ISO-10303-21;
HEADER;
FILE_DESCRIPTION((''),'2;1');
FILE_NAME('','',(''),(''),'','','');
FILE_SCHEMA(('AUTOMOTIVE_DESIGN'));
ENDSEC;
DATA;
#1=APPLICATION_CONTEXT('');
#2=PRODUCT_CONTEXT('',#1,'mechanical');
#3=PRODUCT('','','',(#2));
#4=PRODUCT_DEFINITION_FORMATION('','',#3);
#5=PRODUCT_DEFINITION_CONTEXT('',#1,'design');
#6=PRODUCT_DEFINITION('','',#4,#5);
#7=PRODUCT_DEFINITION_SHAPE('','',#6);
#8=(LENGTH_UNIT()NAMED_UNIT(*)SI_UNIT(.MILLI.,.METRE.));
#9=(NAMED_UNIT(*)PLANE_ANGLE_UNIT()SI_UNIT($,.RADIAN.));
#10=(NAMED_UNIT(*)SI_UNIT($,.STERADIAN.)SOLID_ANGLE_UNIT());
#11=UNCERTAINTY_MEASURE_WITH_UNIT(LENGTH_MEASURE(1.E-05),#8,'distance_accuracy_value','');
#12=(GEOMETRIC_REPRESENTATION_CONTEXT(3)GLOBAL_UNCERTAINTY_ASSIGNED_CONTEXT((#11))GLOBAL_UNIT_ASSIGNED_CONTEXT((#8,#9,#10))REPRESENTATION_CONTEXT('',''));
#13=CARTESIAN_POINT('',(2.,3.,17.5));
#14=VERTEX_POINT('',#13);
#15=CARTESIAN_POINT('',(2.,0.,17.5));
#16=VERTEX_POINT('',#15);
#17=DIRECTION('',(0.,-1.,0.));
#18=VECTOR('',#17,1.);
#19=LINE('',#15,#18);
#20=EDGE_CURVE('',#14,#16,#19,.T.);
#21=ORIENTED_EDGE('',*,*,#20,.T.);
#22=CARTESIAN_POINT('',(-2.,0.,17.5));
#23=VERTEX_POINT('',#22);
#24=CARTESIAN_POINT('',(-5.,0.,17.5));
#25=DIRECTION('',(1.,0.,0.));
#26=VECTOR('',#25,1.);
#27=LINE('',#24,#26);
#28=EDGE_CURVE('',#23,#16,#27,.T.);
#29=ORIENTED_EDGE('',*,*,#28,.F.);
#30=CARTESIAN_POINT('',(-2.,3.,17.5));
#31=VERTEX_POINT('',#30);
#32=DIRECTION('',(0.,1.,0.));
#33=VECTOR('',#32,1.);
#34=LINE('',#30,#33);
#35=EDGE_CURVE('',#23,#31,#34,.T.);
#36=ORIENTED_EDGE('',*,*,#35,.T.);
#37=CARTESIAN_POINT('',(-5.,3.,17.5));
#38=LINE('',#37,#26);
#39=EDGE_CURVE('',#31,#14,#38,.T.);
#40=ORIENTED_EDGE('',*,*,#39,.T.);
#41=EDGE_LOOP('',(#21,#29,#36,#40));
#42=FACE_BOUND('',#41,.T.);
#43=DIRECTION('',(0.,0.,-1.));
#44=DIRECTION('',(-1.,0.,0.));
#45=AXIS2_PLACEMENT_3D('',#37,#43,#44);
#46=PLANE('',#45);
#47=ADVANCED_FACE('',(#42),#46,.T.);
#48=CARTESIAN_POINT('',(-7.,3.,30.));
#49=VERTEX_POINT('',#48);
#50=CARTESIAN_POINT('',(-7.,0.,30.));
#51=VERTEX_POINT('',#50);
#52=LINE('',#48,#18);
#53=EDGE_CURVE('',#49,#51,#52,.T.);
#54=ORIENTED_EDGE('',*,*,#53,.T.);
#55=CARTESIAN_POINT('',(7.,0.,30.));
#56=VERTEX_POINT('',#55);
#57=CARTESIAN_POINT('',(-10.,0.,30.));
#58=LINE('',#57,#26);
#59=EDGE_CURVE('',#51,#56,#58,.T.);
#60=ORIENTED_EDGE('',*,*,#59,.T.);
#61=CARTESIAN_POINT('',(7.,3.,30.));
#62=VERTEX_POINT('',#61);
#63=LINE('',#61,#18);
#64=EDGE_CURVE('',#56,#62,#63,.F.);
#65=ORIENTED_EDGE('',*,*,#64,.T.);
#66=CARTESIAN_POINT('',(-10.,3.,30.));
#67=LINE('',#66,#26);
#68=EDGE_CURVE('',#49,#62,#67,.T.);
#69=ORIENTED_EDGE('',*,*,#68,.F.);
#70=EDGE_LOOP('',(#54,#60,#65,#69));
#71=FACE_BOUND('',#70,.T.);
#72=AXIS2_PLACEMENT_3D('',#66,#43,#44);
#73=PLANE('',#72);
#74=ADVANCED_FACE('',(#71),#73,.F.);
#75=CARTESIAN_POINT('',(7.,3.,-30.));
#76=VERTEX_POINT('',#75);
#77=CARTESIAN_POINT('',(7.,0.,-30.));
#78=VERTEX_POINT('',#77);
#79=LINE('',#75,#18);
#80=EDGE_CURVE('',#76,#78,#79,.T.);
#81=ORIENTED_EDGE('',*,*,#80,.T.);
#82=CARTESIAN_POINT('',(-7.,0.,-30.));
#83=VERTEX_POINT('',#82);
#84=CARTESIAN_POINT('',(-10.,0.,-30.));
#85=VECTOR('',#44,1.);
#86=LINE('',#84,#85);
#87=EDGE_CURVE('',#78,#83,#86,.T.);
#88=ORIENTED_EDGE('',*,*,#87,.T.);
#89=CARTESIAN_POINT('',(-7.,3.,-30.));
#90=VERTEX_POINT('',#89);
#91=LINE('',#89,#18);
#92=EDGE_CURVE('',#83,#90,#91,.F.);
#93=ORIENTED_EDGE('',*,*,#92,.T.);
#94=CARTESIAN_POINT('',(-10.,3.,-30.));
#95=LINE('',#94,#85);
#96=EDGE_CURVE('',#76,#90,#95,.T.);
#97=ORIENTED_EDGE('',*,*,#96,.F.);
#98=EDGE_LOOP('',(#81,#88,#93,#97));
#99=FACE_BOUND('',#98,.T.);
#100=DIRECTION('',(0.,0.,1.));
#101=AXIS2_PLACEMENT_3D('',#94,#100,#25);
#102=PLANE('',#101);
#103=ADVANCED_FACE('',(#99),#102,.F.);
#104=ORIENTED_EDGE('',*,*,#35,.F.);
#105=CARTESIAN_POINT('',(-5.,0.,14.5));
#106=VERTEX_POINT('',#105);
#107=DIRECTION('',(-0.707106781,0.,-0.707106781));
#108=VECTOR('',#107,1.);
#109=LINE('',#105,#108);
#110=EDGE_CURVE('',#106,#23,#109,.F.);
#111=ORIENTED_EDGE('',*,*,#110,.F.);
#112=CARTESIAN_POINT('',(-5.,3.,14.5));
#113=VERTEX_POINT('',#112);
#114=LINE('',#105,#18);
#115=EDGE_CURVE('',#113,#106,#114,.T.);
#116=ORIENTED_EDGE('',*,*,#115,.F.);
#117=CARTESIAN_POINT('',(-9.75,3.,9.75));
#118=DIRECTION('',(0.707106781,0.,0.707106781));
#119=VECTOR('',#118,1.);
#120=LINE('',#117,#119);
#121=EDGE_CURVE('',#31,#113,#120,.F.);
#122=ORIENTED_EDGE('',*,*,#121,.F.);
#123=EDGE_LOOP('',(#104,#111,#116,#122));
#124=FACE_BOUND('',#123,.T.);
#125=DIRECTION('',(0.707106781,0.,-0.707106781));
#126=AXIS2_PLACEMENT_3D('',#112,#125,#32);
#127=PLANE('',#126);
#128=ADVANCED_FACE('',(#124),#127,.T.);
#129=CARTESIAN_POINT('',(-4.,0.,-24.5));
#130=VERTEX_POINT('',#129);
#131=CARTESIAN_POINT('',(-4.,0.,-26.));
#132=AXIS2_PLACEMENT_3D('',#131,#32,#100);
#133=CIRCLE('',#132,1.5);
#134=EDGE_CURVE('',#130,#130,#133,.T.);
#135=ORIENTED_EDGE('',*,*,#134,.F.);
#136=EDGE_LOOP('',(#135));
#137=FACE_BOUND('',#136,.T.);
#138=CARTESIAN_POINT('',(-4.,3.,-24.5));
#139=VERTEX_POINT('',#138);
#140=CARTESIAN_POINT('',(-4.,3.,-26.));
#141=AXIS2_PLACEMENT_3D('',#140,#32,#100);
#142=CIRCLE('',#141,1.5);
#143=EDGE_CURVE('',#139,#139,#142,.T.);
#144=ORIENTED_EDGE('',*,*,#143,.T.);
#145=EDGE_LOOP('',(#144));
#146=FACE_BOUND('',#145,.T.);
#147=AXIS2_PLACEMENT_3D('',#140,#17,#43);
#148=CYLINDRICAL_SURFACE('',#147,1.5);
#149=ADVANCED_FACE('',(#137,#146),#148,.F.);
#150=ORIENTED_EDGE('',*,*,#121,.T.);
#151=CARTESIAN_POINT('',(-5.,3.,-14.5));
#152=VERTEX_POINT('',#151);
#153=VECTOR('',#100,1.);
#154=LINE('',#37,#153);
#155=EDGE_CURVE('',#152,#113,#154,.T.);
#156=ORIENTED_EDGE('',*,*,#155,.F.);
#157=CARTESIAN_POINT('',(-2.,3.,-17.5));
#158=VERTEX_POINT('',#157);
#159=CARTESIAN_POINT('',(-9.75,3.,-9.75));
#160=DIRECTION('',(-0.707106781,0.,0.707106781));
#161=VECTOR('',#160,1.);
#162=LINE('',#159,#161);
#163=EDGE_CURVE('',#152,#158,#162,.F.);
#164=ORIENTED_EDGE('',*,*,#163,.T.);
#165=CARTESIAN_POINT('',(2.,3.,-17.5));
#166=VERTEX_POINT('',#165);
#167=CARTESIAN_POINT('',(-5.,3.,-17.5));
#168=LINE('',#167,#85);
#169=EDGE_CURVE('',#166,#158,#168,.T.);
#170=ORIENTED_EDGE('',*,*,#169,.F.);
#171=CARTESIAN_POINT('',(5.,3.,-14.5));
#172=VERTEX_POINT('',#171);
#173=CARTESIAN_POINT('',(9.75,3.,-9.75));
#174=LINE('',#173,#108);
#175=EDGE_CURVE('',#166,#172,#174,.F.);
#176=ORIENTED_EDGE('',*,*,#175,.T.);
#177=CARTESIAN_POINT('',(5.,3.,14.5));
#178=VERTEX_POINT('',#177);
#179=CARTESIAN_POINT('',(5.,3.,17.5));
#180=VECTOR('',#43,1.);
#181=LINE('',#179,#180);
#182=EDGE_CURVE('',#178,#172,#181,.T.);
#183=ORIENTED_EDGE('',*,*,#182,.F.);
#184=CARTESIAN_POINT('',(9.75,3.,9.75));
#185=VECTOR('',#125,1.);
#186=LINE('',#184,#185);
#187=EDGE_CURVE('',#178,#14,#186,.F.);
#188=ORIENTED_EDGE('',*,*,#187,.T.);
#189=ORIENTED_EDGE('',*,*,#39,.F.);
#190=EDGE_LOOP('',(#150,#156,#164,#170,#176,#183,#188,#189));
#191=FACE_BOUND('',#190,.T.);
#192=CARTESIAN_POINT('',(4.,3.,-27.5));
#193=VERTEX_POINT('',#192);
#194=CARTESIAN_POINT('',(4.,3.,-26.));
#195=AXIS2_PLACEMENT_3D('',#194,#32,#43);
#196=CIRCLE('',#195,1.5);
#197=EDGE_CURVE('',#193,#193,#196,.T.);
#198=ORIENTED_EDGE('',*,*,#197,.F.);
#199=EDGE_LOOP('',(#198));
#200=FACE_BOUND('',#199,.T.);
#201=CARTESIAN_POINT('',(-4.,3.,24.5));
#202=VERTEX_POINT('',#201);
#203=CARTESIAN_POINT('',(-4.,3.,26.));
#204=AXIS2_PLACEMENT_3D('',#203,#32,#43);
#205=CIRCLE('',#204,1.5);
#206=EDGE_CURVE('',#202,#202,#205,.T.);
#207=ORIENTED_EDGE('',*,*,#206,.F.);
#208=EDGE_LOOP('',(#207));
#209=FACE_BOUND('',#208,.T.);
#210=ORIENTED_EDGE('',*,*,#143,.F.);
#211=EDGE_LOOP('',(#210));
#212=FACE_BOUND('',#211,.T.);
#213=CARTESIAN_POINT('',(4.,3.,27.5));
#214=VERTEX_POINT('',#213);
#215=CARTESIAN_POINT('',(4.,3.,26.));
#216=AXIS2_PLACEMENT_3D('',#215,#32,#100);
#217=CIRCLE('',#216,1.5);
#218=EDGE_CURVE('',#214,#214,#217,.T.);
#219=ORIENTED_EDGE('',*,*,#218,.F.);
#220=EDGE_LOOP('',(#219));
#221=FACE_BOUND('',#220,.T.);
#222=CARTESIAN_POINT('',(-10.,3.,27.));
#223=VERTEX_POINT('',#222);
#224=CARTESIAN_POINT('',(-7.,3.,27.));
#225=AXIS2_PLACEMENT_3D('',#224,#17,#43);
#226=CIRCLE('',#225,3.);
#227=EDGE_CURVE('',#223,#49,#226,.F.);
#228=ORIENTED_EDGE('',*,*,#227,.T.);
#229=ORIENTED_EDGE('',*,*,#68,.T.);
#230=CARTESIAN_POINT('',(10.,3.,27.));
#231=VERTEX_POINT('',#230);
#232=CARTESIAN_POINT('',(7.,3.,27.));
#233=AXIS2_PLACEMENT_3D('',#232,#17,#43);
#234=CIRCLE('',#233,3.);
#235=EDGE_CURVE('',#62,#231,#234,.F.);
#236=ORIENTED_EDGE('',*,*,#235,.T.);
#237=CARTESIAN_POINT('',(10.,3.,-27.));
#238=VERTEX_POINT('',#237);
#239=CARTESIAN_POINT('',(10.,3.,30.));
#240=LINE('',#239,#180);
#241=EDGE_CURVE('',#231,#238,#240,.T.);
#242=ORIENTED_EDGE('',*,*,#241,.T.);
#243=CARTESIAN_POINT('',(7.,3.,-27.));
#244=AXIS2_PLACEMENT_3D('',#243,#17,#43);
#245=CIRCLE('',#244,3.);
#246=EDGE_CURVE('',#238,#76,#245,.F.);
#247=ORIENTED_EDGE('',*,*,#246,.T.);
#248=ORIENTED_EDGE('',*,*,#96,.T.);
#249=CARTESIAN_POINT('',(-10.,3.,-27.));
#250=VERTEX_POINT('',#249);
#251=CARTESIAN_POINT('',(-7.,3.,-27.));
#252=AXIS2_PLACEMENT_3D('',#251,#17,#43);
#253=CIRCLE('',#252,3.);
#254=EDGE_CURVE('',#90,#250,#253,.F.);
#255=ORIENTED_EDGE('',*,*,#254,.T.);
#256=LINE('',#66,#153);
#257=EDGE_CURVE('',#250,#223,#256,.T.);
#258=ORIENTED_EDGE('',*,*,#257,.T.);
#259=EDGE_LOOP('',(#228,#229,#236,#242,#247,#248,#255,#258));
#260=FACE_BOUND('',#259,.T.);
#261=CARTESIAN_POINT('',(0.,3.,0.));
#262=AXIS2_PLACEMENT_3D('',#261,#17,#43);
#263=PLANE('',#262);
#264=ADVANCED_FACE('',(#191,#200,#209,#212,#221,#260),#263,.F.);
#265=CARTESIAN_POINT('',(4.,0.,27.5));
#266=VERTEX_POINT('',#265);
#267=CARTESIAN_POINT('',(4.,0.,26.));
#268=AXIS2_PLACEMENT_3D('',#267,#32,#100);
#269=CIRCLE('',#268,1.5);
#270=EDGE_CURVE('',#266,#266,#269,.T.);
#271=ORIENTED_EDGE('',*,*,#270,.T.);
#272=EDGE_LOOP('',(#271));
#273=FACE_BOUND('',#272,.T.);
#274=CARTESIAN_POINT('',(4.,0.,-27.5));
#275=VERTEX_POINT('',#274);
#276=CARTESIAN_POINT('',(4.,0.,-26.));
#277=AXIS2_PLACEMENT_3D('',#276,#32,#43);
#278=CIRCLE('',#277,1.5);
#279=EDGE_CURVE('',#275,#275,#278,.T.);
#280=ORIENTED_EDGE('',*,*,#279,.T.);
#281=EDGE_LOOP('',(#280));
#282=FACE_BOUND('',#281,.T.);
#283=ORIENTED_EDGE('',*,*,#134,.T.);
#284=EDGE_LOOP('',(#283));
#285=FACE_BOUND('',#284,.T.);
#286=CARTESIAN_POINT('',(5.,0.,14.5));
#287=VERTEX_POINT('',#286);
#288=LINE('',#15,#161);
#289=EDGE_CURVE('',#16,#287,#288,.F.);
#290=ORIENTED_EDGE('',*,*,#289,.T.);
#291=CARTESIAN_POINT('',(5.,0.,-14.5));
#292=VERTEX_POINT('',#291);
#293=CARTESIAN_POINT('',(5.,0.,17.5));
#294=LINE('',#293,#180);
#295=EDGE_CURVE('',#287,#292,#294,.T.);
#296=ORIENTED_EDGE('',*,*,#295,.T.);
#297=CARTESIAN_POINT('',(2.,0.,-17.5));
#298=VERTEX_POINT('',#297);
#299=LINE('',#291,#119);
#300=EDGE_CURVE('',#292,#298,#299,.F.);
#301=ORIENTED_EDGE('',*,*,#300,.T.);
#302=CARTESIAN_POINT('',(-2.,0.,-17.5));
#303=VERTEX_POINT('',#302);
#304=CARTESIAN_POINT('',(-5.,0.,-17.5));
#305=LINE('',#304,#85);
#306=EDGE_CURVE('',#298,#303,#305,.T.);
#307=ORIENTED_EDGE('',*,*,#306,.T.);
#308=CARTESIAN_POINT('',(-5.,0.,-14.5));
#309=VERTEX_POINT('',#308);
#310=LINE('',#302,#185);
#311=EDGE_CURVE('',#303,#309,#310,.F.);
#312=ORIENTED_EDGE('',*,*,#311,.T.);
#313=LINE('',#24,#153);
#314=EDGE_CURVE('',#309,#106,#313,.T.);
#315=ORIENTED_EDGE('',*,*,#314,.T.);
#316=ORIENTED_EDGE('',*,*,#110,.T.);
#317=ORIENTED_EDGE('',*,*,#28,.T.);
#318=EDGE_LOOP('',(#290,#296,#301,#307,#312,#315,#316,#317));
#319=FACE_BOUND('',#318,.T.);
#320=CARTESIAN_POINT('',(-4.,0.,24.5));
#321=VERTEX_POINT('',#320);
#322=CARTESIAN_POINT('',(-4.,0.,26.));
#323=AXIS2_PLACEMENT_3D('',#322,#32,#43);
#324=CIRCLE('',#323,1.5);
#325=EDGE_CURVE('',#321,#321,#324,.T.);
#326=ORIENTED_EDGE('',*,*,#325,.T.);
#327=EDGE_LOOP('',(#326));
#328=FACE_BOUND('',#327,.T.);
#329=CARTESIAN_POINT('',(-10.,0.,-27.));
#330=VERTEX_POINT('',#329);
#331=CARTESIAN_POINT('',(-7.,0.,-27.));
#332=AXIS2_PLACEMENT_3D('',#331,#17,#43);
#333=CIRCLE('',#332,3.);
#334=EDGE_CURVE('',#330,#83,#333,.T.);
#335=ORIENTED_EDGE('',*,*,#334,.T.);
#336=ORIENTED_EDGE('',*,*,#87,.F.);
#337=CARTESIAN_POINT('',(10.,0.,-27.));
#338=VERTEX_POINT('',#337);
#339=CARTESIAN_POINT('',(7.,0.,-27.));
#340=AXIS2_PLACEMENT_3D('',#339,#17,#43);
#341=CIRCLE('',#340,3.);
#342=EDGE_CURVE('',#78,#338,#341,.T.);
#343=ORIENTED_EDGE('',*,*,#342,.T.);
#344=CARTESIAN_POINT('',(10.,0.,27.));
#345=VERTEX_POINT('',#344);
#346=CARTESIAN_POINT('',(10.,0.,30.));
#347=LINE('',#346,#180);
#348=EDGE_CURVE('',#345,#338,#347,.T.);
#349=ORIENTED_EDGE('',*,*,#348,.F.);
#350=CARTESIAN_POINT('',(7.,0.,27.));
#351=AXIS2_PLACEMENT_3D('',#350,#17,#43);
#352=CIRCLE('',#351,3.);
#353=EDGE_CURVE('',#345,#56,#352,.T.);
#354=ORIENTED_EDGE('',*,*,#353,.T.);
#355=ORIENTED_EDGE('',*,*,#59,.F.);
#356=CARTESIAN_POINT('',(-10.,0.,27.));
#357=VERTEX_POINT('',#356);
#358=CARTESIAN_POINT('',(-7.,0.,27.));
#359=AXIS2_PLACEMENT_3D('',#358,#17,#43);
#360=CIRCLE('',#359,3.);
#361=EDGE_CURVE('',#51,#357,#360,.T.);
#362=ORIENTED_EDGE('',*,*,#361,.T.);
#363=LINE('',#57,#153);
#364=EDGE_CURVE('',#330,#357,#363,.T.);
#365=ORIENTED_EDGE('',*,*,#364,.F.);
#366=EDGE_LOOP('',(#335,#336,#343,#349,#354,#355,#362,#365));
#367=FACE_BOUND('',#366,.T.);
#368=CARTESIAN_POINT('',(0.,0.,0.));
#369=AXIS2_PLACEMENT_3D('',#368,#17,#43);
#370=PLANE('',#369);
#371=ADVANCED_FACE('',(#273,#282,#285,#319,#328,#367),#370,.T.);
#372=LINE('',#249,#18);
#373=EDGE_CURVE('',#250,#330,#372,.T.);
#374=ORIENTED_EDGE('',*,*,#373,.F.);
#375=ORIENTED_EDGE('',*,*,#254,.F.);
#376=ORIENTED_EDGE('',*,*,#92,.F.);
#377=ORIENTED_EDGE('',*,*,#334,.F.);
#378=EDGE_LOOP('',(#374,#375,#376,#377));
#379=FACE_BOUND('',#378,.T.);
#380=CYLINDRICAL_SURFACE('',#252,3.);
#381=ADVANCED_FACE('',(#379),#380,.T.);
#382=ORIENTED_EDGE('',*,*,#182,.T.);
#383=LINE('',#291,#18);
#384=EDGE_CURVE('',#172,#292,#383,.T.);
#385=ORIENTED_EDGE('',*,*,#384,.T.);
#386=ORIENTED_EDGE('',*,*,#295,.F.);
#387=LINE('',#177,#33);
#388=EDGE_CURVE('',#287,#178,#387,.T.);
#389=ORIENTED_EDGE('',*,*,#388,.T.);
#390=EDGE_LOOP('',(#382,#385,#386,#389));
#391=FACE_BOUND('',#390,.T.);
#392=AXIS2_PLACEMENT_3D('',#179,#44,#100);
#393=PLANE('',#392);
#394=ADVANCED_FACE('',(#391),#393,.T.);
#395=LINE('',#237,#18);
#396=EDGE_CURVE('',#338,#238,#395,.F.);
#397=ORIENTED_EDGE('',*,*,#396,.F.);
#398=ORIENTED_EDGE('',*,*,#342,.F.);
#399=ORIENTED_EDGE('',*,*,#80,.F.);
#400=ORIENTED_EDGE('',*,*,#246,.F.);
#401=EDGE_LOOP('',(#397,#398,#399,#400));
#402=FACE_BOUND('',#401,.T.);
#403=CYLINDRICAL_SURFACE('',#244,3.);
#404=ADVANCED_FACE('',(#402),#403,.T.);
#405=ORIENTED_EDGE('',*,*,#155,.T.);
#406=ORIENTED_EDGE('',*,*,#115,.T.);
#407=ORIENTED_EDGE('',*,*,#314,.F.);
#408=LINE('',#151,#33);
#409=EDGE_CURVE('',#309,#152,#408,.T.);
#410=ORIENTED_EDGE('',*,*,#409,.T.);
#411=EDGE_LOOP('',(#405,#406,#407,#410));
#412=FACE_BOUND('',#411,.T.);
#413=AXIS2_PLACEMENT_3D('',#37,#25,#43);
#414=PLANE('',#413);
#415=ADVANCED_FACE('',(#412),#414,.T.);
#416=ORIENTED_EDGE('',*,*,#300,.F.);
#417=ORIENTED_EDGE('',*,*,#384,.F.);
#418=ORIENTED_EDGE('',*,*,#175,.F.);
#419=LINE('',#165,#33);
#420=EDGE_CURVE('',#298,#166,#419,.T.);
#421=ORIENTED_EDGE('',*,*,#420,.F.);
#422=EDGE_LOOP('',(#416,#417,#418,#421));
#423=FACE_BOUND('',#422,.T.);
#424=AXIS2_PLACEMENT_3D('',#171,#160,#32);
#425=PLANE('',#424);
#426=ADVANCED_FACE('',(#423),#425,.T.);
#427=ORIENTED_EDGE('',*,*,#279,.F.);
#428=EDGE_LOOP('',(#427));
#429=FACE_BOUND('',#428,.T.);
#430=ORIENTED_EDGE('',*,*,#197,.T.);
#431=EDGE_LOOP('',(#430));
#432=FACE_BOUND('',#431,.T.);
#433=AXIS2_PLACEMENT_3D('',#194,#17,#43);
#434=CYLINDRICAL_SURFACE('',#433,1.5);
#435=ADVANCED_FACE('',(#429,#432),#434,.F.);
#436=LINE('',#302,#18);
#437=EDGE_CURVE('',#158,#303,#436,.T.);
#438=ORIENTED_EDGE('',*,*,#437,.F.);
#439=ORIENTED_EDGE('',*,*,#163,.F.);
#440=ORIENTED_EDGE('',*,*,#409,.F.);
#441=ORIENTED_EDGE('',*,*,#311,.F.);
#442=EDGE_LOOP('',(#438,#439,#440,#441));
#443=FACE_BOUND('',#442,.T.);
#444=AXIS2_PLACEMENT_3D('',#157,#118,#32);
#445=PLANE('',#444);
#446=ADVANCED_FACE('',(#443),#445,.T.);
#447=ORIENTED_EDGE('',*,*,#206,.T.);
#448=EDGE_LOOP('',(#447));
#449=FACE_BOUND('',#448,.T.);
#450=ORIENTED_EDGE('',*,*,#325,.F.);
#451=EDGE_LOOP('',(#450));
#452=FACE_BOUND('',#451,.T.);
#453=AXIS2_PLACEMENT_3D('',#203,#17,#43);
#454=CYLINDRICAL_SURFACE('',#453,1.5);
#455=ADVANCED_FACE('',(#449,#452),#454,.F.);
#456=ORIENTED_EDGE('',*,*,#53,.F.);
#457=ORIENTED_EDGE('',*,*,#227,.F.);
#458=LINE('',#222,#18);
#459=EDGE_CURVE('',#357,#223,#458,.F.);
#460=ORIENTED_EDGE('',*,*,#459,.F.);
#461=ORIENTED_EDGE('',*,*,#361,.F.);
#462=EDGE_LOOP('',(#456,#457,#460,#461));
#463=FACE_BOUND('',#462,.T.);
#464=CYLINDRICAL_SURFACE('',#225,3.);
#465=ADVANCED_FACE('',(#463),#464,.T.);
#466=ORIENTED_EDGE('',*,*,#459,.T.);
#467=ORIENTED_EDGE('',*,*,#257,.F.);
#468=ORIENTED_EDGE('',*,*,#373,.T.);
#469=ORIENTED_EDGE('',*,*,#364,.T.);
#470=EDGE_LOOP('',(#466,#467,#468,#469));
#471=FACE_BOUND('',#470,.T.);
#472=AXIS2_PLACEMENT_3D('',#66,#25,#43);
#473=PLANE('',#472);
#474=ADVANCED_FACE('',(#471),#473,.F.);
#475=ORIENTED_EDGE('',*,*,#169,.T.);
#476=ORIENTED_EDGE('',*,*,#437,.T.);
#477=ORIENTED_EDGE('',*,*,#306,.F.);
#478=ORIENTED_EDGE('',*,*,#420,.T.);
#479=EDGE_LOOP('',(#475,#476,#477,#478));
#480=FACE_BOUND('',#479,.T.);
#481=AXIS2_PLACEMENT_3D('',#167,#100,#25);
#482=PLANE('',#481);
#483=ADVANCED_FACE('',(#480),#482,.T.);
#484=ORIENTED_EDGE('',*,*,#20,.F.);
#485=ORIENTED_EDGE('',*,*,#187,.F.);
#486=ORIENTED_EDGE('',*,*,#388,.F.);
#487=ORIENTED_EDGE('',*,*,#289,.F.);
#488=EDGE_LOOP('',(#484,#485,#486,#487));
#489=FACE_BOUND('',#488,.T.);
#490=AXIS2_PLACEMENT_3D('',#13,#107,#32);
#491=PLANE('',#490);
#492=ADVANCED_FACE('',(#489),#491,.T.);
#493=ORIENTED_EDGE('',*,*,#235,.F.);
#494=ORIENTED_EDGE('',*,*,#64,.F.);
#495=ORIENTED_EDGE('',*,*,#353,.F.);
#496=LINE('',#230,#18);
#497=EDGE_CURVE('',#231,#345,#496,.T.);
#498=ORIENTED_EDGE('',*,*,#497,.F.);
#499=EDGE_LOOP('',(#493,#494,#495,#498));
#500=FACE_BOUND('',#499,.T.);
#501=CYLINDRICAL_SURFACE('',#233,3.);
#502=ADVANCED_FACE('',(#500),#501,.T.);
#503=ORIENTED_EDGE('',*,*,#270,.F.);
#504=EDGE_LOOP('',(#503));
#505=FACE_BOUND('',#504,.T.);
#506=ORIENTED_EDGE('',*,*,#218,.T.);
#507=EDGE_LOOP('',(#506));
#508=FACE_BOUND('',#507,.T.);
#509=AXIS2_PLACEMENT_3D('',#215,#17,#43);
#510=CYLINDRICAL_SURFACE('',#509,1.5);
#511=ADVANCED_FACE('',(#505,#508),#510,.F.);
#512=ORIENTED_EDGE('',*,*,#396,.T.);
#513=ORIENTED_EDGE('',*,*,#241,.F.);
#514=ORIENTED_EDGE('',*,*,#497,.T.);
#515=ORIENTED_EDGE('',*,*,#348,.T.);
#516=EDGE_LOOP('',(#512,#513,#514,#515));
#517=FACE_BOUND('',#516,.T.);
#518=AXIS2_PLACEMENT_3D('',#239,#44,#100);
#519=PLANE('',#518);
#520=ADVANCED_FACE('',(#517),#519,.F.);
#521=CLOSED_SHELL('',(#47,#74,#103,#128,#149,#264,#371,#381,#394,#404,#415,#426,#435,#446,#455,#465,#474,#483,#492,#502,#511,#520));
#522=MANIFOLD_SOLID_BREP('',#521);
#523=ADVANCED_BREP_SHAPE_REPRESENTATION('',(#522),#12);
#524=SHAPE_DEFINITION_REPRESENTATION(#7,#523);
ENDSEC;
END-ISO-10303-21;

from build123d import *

# Parameters (mm, degrees)
SKETCH_1_W      = 20
SKETCH_1_H      = 60
SKETCH_1_R      = 1.5
SKETCH_1_W_2    = 10
SKETCH_1_H_2    = 35
EXTRUDE_1_DEPTH = 3
CHAMFER_1_SIZE  = 3
FILLET_1_R      = 3


with BuildPart() as part:
    # 草图1 → 凸台-拉伸1 (new body)
    with BuildSketch(Plane(origin=(0, 0, 0), x_dir=(1, 0, 0), z_dir=(0, 1, 0))):
        Rectangle(SKETCH_1_W, SKETCH_1_H)
        with Locations(Location((-4, 26, 0), (0, 0, 270))):
            Circle(SKETCH_1_R, mode=Mode.SUBTRACT)
        with Locations(Location((4, 26, 0), (0, 0, 90))):
            Circle(SKETCH_1_R, mode=Mode.SUBTRACT)
        with Locations(Location((4, -26, 0), (0, 0, 270))):
            Circle(SKETCH_1_R, mode=Mode.SUBTRACT)
        with Locations(Location((-4, -26, 0), (0, 0, 90))):
            Circle(SKETCH_1_R, mode=Mode.SUBTRACT)
        Rectangle(SKETCH_1_W_2, SKETCH_1_H_2, mode=Mode.SUBTRACT)
    extrude(amount=EXTRUDE_1_DEPTH)

    # 倒角1
    chamfer_1_edges = [part.edges().sort_by_distance(p)[0] for p in [
        (5, 1.5, 17.5),
        (5, 1.5, -17.5),
        (-5, 1.5, -17.5),
        (-5, 1.5, 17.5),
    ]]
    chamfer(chamfer_1_edges, length=CHAMFER_1_SIZE)

    # 圆角1
    fillet_1_edges = [part.edges().sort_by_distance(p)[0] for p in [
        (10, 1.5, 30),
        (-10, 1.5, 30),
        (-10, 1.5, -30),
        (10, 1.5, -30),
    ]]
    fillet(fillet_1_edges, radius=FILLET_1_R)


solid = part.part
